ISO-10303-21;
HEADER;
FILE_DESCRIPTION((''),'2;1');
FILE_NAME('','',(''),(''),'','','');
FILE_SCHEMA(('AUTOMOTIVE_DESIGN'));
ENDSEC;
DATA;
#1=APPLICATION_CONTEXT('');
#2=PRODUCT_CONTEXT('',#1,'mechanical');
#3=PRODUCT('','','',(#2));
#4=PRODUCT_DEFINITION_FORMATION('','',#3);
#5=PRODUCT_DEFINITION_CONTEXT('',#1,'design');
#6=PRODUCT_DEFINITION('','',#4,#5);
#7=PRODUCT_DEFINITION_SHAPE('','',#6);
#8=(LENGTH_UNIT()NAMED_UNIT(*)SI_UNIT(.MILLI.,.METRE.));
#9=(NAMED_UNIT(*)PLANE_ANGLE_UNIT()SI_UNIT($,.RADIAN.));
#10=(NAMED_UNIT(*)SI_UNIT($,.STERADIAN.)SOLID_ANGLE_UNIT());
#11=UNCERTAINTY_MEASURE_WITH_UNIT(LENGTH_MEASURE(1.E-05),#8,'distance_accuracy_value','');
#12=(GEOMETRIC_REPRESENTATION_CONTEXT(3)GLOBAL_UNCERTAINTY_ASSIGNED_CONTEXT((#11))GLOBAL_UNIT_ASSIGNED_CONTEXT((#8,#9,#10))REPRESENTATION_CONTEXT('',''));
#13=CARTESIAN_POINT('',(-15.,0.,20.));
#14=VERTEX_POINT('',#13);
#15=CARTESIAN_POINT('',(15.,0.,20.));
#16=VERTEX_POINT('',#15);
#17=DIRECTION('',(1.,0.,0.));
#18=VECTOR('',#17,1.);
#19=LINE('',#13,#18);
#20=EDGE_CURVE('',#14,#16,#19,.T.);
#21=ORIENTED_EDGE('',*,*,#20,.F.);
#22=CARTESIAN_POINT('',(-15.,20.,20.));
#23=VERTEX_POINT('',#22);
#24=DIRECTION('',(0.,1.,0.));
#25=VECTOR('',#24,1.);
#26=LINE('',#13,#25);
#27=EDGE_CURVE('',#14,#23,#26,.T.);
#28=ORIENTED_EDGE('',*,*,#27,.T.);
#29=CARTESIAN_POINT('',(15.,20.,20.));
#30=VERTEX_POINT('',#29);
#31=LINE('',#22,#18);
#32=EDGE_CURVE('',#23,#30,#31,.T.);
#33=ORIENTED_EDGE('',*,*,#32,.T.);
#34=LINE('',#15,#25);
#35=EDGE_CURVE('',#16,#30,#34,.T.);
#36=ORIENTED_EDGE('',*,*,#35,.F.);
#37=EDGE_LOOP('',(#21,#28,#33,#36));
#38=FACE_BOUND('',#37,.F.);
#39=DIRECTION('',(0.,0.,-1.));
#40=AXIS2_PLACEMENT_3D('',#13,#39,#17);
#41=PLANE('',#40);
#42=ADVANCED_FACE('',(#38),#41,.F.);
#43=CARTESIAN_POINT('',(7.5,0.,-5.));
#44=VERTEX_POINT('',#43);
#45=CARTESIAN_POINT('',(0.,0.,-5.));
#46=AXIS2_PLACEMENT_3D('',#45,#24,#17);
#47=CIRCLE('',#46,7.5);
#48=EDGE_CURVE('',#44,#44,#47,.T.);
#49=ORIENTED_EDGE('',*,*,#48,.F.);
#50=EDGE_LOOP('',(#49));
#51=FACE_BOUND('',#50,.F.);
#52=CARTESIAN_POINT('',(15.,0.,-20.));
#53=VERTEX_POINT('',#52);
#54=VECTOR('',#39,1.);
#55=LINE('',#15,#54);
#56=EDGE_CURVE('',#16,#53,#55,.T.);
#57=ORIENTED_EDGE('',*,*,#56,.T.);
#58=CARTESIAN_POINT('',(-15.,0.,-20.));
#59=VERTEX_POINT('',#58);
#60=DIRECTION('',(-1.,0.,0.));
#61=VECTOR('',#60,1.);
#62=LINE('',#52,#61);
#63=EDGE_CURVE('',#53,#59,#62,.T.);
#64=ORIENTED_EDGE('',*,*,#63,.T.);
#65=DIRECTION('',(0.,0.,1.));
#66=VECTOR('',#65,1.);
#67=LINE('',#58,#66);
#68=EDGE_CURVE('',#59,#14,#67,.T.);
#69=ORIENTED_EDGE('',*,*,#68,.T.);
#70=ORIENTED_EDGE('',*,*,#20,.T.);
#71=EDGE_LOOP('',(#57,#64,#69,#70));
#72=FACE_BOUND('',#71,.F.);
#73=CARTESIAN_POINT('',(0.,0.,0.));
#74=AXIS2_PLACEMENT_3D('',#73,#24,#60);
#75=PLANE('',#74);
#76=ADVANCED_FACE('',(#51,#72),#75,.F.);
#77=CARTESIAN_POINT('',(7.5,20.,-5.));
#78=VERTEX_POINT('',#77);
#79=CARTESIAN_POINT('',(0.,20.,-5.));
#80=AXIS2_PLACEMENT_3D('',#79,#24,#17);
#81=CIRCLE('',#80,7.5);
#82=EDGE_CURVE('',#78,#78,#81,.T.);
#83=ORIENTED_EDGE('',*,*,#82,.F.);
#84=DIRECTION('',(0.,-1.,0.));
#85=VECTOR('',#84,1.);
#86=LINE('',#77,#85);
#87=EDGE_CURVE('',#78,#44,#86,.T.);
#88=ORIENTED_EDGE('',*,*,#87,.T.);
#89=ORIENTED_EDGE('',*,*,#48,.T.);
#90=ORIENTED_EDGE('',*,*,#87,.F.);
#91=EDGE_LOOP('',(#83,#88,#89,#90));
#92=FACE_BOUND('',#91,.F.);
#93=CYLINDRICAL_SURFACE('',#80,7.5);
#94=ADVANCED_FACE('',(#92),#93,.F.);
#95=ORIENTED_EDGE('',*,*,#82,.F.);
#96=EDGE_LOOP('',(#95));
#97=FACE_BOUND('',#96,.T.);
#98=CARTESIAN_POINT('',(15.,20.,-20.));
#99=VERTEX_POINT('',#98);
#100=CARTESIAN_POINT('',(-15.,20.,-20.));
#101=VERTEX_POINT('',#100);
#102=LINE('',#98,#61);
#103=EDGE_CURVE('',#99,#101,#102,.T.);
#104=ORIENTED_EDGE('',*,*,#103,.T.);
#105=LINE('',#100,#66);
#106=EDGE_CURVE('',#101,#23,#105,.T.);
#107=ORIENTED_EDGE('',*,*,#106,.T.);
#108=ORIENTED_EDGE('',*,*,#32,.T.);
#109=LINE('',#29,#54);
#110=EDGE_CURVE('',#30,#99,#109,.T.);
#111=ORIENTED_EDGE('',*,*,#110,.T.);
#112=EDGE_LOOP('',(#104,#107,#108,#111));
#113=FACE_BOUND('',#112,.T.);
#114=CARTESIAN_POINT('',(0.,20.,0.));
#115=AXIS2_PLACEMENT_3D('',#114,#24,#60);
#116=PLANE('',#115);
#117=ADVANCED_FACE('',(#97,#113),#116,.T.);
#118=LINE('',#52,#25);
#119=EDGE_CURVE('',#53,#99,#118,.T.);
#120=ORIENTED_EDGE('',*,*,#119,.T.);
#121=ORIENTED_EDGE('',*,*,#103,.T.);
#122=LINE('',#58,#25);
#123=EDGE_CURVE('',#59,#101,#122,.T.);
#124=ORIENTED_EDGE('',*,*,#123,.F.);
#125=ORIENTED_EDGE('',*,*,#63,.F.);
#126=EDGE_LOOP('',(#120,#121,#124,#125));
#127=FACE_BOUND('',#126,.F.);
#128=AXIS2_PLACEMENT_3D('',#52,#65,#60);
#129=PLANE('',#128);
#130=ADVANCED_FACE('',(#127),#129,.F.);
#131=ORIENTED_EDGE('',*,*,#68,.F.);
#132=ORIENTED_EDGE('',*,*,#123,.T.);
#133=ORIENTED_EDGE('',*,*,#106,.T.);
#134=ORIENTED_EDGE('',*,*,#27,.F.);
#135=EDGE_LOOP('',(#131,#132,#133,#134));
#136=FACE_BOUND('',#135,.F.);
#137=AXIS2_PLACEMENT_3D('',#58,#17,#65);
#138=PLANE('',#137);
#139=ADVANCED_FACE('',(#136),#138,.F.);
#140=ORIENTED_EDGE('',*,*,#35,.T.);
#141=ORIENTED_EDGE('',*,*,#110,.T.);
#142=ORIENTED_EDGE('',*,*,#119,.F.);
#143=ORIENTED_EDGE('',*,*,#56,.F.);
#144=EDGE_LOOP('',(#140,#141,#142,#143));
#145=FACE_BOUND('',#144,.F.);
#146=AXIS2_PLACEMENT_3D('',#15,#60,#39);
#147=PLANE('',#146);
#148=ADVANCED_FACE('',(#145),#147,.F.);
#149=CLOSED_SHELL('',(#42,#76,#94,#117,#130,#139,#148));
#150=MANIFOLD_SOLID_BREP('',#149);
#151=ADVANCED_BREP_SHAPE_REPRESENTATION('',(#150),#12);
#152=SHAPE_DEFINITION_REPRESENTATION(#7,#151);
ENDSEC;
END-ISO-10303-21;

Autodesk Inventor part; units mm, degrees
ref_plane "YZ Plane" through (0, 0, 0) normal (1, 0, 0) x (0, 1, 0)
ref_plane "XZ Plane" through (0, 0, 0) normal (0, 1, 0) x (-1, 0, 0)
ref_plane "XY Plane" through (0, 0, 0) normal (0, 0, 1) x (1, 0, 0)
sketch "Sketch1" plane through (0, 0, 0) normal (0, 1, 0) x (-1, 0, 0)
  line L0 (15, 20) -> (-15, 20)
  line L1 (-15, 20) -> (-15, -20)
  line L2 (-15, -20) -> (15, -20)
  line L3 (15, -20) -> (15, 20)
  point P0 (0, 0)
  point P1 (15, 0)
  point P2 (0, -20)
  dimension "d0" = 40
  dimension "d1" = 30
extrude "Extrusion1" add sketch "Sketch1" along normal blind 20
sketch "Sketch2" plane through (0, 20, 0) normal (0, 1, 0) x (1, 0, 0)
  circle A0 centre (0, 5) radius 7.5
  line L0 (15, 20) -> (-15, 20) projected
  point P0 (0, 0)
  point P1 (0, 20)
  dimension "d7" = 15
  dimension "d10" = 15
extrude "Extrusion2" cut sketch "Sketch2" against normal blind 20
properties part number "Slider"
